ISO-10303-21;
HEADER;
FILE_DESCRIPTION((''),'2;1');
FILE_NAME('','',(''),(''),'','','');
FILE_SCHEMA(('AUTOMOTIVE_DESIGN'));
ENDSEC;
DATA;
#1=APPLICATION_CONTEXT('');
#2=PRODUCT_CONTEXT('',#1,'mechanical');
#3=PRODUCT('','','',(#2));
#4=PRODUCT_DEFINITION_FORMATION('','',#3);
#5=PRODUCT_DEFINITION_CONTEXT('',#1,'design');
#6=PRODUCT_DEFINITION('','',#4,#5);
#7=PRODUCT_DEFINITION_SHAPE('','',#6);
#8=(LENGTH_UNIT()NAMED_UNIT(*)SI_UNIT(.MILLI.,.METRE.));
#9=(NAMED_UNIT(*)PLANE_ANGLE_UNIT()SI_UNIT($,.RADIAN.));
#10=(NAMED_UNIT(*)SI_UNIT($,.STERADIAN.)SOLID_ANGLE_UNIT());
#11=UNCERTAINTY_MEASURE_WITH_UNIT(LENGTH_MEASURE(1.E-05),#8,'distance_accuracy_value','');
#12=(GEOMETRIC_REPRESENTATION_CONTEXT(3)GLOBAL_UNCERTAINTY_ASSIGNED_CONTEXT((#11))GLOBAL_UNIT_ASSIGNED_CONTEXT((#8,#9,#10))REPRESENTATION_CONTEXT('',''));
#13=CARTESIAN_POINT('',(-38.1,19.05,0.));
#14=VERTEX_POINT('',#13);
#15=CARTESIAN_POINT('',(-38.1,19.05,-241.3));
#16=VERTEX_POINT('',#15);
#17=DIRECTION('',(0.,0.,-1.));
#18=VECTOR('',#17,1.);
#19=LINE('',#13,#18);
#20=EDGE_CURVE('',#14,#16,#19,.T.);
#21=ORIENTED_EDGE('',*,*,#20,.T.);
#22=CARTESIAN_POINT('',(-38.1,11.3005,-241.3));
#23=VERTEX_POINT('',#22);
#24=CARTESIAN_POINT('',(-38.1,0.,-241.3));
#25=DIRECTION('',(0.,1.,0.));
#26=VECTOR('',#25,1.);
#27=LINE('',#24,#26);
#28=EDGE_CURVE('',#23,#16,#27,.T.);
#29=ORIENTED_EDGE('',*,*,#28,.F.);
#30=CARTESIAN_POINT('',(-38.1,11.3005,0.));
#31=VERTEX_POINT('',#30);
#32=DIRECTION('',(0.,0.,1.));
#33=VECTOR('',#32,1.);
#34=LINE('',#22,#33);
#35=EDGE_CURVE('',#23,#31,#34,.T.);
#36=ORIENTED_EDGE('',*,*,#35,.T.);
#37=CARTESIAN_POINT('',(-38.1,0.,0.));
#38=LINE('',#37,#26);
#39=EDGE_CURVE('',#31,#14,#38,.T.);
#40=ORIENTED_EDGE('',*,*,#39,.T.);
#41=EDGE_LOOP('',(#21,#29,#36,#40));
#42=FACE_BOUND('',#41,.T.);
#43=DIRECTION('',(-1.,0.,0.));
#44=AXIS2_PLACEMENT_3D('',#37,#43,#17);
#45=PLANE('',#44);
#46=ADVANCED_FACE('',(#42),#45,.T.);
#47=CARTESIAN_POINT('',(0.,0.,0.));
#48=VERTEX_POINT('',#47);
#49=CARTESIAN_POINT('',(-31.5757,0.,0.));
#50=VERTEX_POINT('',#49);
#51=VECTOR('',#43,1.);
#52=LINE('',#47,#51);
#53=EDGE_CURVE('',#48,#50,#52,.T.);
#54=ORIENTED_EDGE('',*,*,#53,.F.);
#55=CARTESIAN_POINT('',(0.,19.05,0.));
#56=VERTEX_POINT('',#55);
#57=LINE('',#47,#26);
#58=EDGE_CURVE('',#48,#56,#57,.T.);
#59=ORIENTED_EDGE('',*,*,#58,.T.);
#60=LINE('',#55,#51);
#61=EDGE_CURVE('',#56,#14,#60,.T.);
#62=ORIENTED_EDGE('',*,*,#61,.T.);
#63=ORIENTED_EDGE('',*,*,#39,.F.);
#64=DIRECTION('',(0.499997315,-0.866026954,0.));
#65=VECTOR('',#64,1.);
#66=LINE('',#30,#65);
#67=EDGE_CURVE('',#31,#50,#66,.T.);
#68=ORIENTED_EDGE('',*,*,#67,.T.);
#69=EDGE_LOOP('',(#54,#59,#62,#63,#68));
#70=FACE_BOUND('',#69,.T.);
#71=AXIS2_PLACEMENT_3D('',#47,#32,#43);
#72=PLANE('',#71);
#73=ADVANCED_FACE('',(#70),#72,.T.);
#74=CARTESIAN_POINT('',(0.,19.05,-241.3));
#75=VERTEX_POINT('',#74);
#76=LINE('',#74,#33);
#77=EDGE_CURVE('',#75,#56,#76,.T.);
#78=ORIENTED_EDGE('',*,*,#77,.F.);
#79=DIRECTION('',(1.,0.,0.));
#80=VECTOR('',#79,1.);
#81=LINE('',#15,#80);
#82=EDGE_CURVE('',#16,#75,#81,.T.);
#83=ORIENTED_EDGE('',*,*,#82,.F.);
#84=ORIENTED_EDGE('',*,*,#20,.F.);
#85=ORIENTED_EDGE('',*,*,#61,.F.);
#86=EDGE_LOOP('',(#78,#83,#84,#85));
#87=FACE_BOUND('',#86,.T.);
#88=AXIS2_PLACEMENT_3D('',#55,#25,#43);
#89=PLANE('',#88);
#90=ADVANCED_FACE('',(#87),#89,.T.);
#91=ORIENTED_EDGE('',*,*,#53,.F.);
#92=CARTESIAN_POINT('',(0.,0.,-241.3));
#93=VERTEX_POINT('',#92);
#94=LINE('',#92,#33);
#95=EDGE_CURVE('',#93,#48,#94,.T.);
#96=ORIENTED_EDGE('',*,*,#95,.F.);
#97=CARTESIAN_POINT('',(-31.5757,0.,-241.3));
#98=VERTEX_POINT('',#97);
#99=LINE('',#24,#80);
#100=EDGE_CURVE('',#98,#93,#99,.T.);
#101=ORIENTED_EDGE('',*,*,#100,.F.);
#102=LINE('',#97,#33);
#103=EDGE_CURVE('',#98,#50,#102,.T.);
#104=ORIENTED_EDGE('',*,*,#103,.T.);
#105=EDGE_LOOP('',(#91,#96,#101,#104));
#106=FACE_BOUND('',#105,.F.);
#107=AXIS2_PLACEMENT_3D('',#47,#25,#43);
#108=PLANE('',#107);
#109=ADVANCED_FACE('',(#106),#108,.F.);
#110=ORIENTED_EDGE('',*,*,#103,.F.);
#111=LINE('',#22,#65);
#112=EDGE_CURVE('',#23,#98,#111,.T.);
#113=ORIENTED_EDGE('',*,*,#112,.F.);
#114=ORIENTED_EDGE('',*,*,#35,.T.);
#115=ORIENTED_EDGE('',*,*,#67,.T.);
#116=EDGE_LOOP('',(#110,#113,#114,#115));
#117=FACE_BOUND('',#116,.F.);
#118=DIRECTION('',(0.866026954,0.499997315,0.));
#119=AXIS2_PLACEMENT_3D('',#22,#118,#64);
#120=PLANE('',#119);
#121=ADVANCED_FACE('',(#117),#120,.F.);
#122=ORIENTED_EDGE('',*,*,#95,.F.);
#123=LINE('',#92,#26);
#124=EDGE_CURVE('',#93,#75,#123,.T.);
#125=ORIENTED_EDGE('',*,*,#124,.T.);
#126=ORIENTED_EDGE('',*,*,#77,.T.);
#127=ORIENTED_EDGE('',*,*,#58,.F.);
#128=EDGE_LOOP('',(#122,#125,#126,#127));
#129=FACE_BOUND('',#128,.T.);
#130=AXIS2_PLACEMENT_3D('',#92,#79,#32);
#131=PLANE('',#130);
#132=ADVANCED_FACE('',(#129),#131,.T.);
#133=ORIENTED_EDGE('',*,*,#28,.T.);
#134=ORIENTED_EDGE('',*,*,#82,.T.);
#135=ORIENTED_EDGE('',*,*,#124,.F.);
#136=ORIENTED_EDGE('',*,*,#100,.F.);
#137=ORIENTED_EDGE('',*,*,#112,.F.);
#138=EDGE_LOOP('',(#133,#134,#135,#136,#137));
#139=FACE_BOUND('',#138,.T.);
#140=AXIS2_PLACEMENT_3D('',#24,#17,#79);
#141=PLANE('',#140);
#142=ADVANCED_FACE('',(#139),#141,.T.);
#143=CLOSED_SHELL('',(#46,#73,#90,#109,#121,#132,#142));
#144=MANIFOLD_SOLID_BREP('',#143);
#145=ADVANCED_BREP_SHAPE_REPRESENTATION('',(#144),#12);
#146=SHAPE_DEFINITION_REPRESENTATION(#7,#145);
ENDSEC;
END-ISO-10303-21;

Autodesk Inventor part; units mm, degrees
ref_plane "YZ Plane" through (0, 0, 0) normal (1, 0, 0) x (0, 1, 0)
ref_plane "XZ Plane" through (0, 0, 0) normal (0, 1, 0) x (-1, 0, 0)
ref_plane "XY Plane" through (0, 0, 0) normal (0, 0, 1) x (1, 0, 0)
sketch "Sketch1" plane through (0, 0, 0) normal (0, 1, 0) x (-1, 0, 0)
  line L0 (0, 0) -> (38.1, 0)
  line L1 (38.1, 0) -> (38.1, -241.3)
  line L2 (38.1, -241.3) -> (0, -241.3)
  line L3 (0, -241.3) -> (0, 0)
  dimension "d0" = 38.1
  dimension "d1" = 241.3
extrude "Extrusion1" add sketch "Sketch1" along normal blind 19.05
sketch "Sketch2" plane through (0, 0, -241.3) normal (0, 0, -1) x (-1, 0, 0)
  line L0 (204.3257, -100.8201) -> (38.1, 11.3005) projected
  line L1 (38.1, 11.3005) -> (31.5757, 0)
  line L2 (0, 0) -> (38.1, 0) projected
  line L3 (38.1, 11.3005) -> (51.1487, 11.3005) construction
  line L4 (31.5757, 0) -> (38.1, 0)
  line L5 (38.1, 0) -> (38.1, 11.3005)
  dimension "d4" = 120
extrude "Extrusion2" cut sketch "Sketch2" against normal blind 241.3
properties part number "front_screen_footer"
